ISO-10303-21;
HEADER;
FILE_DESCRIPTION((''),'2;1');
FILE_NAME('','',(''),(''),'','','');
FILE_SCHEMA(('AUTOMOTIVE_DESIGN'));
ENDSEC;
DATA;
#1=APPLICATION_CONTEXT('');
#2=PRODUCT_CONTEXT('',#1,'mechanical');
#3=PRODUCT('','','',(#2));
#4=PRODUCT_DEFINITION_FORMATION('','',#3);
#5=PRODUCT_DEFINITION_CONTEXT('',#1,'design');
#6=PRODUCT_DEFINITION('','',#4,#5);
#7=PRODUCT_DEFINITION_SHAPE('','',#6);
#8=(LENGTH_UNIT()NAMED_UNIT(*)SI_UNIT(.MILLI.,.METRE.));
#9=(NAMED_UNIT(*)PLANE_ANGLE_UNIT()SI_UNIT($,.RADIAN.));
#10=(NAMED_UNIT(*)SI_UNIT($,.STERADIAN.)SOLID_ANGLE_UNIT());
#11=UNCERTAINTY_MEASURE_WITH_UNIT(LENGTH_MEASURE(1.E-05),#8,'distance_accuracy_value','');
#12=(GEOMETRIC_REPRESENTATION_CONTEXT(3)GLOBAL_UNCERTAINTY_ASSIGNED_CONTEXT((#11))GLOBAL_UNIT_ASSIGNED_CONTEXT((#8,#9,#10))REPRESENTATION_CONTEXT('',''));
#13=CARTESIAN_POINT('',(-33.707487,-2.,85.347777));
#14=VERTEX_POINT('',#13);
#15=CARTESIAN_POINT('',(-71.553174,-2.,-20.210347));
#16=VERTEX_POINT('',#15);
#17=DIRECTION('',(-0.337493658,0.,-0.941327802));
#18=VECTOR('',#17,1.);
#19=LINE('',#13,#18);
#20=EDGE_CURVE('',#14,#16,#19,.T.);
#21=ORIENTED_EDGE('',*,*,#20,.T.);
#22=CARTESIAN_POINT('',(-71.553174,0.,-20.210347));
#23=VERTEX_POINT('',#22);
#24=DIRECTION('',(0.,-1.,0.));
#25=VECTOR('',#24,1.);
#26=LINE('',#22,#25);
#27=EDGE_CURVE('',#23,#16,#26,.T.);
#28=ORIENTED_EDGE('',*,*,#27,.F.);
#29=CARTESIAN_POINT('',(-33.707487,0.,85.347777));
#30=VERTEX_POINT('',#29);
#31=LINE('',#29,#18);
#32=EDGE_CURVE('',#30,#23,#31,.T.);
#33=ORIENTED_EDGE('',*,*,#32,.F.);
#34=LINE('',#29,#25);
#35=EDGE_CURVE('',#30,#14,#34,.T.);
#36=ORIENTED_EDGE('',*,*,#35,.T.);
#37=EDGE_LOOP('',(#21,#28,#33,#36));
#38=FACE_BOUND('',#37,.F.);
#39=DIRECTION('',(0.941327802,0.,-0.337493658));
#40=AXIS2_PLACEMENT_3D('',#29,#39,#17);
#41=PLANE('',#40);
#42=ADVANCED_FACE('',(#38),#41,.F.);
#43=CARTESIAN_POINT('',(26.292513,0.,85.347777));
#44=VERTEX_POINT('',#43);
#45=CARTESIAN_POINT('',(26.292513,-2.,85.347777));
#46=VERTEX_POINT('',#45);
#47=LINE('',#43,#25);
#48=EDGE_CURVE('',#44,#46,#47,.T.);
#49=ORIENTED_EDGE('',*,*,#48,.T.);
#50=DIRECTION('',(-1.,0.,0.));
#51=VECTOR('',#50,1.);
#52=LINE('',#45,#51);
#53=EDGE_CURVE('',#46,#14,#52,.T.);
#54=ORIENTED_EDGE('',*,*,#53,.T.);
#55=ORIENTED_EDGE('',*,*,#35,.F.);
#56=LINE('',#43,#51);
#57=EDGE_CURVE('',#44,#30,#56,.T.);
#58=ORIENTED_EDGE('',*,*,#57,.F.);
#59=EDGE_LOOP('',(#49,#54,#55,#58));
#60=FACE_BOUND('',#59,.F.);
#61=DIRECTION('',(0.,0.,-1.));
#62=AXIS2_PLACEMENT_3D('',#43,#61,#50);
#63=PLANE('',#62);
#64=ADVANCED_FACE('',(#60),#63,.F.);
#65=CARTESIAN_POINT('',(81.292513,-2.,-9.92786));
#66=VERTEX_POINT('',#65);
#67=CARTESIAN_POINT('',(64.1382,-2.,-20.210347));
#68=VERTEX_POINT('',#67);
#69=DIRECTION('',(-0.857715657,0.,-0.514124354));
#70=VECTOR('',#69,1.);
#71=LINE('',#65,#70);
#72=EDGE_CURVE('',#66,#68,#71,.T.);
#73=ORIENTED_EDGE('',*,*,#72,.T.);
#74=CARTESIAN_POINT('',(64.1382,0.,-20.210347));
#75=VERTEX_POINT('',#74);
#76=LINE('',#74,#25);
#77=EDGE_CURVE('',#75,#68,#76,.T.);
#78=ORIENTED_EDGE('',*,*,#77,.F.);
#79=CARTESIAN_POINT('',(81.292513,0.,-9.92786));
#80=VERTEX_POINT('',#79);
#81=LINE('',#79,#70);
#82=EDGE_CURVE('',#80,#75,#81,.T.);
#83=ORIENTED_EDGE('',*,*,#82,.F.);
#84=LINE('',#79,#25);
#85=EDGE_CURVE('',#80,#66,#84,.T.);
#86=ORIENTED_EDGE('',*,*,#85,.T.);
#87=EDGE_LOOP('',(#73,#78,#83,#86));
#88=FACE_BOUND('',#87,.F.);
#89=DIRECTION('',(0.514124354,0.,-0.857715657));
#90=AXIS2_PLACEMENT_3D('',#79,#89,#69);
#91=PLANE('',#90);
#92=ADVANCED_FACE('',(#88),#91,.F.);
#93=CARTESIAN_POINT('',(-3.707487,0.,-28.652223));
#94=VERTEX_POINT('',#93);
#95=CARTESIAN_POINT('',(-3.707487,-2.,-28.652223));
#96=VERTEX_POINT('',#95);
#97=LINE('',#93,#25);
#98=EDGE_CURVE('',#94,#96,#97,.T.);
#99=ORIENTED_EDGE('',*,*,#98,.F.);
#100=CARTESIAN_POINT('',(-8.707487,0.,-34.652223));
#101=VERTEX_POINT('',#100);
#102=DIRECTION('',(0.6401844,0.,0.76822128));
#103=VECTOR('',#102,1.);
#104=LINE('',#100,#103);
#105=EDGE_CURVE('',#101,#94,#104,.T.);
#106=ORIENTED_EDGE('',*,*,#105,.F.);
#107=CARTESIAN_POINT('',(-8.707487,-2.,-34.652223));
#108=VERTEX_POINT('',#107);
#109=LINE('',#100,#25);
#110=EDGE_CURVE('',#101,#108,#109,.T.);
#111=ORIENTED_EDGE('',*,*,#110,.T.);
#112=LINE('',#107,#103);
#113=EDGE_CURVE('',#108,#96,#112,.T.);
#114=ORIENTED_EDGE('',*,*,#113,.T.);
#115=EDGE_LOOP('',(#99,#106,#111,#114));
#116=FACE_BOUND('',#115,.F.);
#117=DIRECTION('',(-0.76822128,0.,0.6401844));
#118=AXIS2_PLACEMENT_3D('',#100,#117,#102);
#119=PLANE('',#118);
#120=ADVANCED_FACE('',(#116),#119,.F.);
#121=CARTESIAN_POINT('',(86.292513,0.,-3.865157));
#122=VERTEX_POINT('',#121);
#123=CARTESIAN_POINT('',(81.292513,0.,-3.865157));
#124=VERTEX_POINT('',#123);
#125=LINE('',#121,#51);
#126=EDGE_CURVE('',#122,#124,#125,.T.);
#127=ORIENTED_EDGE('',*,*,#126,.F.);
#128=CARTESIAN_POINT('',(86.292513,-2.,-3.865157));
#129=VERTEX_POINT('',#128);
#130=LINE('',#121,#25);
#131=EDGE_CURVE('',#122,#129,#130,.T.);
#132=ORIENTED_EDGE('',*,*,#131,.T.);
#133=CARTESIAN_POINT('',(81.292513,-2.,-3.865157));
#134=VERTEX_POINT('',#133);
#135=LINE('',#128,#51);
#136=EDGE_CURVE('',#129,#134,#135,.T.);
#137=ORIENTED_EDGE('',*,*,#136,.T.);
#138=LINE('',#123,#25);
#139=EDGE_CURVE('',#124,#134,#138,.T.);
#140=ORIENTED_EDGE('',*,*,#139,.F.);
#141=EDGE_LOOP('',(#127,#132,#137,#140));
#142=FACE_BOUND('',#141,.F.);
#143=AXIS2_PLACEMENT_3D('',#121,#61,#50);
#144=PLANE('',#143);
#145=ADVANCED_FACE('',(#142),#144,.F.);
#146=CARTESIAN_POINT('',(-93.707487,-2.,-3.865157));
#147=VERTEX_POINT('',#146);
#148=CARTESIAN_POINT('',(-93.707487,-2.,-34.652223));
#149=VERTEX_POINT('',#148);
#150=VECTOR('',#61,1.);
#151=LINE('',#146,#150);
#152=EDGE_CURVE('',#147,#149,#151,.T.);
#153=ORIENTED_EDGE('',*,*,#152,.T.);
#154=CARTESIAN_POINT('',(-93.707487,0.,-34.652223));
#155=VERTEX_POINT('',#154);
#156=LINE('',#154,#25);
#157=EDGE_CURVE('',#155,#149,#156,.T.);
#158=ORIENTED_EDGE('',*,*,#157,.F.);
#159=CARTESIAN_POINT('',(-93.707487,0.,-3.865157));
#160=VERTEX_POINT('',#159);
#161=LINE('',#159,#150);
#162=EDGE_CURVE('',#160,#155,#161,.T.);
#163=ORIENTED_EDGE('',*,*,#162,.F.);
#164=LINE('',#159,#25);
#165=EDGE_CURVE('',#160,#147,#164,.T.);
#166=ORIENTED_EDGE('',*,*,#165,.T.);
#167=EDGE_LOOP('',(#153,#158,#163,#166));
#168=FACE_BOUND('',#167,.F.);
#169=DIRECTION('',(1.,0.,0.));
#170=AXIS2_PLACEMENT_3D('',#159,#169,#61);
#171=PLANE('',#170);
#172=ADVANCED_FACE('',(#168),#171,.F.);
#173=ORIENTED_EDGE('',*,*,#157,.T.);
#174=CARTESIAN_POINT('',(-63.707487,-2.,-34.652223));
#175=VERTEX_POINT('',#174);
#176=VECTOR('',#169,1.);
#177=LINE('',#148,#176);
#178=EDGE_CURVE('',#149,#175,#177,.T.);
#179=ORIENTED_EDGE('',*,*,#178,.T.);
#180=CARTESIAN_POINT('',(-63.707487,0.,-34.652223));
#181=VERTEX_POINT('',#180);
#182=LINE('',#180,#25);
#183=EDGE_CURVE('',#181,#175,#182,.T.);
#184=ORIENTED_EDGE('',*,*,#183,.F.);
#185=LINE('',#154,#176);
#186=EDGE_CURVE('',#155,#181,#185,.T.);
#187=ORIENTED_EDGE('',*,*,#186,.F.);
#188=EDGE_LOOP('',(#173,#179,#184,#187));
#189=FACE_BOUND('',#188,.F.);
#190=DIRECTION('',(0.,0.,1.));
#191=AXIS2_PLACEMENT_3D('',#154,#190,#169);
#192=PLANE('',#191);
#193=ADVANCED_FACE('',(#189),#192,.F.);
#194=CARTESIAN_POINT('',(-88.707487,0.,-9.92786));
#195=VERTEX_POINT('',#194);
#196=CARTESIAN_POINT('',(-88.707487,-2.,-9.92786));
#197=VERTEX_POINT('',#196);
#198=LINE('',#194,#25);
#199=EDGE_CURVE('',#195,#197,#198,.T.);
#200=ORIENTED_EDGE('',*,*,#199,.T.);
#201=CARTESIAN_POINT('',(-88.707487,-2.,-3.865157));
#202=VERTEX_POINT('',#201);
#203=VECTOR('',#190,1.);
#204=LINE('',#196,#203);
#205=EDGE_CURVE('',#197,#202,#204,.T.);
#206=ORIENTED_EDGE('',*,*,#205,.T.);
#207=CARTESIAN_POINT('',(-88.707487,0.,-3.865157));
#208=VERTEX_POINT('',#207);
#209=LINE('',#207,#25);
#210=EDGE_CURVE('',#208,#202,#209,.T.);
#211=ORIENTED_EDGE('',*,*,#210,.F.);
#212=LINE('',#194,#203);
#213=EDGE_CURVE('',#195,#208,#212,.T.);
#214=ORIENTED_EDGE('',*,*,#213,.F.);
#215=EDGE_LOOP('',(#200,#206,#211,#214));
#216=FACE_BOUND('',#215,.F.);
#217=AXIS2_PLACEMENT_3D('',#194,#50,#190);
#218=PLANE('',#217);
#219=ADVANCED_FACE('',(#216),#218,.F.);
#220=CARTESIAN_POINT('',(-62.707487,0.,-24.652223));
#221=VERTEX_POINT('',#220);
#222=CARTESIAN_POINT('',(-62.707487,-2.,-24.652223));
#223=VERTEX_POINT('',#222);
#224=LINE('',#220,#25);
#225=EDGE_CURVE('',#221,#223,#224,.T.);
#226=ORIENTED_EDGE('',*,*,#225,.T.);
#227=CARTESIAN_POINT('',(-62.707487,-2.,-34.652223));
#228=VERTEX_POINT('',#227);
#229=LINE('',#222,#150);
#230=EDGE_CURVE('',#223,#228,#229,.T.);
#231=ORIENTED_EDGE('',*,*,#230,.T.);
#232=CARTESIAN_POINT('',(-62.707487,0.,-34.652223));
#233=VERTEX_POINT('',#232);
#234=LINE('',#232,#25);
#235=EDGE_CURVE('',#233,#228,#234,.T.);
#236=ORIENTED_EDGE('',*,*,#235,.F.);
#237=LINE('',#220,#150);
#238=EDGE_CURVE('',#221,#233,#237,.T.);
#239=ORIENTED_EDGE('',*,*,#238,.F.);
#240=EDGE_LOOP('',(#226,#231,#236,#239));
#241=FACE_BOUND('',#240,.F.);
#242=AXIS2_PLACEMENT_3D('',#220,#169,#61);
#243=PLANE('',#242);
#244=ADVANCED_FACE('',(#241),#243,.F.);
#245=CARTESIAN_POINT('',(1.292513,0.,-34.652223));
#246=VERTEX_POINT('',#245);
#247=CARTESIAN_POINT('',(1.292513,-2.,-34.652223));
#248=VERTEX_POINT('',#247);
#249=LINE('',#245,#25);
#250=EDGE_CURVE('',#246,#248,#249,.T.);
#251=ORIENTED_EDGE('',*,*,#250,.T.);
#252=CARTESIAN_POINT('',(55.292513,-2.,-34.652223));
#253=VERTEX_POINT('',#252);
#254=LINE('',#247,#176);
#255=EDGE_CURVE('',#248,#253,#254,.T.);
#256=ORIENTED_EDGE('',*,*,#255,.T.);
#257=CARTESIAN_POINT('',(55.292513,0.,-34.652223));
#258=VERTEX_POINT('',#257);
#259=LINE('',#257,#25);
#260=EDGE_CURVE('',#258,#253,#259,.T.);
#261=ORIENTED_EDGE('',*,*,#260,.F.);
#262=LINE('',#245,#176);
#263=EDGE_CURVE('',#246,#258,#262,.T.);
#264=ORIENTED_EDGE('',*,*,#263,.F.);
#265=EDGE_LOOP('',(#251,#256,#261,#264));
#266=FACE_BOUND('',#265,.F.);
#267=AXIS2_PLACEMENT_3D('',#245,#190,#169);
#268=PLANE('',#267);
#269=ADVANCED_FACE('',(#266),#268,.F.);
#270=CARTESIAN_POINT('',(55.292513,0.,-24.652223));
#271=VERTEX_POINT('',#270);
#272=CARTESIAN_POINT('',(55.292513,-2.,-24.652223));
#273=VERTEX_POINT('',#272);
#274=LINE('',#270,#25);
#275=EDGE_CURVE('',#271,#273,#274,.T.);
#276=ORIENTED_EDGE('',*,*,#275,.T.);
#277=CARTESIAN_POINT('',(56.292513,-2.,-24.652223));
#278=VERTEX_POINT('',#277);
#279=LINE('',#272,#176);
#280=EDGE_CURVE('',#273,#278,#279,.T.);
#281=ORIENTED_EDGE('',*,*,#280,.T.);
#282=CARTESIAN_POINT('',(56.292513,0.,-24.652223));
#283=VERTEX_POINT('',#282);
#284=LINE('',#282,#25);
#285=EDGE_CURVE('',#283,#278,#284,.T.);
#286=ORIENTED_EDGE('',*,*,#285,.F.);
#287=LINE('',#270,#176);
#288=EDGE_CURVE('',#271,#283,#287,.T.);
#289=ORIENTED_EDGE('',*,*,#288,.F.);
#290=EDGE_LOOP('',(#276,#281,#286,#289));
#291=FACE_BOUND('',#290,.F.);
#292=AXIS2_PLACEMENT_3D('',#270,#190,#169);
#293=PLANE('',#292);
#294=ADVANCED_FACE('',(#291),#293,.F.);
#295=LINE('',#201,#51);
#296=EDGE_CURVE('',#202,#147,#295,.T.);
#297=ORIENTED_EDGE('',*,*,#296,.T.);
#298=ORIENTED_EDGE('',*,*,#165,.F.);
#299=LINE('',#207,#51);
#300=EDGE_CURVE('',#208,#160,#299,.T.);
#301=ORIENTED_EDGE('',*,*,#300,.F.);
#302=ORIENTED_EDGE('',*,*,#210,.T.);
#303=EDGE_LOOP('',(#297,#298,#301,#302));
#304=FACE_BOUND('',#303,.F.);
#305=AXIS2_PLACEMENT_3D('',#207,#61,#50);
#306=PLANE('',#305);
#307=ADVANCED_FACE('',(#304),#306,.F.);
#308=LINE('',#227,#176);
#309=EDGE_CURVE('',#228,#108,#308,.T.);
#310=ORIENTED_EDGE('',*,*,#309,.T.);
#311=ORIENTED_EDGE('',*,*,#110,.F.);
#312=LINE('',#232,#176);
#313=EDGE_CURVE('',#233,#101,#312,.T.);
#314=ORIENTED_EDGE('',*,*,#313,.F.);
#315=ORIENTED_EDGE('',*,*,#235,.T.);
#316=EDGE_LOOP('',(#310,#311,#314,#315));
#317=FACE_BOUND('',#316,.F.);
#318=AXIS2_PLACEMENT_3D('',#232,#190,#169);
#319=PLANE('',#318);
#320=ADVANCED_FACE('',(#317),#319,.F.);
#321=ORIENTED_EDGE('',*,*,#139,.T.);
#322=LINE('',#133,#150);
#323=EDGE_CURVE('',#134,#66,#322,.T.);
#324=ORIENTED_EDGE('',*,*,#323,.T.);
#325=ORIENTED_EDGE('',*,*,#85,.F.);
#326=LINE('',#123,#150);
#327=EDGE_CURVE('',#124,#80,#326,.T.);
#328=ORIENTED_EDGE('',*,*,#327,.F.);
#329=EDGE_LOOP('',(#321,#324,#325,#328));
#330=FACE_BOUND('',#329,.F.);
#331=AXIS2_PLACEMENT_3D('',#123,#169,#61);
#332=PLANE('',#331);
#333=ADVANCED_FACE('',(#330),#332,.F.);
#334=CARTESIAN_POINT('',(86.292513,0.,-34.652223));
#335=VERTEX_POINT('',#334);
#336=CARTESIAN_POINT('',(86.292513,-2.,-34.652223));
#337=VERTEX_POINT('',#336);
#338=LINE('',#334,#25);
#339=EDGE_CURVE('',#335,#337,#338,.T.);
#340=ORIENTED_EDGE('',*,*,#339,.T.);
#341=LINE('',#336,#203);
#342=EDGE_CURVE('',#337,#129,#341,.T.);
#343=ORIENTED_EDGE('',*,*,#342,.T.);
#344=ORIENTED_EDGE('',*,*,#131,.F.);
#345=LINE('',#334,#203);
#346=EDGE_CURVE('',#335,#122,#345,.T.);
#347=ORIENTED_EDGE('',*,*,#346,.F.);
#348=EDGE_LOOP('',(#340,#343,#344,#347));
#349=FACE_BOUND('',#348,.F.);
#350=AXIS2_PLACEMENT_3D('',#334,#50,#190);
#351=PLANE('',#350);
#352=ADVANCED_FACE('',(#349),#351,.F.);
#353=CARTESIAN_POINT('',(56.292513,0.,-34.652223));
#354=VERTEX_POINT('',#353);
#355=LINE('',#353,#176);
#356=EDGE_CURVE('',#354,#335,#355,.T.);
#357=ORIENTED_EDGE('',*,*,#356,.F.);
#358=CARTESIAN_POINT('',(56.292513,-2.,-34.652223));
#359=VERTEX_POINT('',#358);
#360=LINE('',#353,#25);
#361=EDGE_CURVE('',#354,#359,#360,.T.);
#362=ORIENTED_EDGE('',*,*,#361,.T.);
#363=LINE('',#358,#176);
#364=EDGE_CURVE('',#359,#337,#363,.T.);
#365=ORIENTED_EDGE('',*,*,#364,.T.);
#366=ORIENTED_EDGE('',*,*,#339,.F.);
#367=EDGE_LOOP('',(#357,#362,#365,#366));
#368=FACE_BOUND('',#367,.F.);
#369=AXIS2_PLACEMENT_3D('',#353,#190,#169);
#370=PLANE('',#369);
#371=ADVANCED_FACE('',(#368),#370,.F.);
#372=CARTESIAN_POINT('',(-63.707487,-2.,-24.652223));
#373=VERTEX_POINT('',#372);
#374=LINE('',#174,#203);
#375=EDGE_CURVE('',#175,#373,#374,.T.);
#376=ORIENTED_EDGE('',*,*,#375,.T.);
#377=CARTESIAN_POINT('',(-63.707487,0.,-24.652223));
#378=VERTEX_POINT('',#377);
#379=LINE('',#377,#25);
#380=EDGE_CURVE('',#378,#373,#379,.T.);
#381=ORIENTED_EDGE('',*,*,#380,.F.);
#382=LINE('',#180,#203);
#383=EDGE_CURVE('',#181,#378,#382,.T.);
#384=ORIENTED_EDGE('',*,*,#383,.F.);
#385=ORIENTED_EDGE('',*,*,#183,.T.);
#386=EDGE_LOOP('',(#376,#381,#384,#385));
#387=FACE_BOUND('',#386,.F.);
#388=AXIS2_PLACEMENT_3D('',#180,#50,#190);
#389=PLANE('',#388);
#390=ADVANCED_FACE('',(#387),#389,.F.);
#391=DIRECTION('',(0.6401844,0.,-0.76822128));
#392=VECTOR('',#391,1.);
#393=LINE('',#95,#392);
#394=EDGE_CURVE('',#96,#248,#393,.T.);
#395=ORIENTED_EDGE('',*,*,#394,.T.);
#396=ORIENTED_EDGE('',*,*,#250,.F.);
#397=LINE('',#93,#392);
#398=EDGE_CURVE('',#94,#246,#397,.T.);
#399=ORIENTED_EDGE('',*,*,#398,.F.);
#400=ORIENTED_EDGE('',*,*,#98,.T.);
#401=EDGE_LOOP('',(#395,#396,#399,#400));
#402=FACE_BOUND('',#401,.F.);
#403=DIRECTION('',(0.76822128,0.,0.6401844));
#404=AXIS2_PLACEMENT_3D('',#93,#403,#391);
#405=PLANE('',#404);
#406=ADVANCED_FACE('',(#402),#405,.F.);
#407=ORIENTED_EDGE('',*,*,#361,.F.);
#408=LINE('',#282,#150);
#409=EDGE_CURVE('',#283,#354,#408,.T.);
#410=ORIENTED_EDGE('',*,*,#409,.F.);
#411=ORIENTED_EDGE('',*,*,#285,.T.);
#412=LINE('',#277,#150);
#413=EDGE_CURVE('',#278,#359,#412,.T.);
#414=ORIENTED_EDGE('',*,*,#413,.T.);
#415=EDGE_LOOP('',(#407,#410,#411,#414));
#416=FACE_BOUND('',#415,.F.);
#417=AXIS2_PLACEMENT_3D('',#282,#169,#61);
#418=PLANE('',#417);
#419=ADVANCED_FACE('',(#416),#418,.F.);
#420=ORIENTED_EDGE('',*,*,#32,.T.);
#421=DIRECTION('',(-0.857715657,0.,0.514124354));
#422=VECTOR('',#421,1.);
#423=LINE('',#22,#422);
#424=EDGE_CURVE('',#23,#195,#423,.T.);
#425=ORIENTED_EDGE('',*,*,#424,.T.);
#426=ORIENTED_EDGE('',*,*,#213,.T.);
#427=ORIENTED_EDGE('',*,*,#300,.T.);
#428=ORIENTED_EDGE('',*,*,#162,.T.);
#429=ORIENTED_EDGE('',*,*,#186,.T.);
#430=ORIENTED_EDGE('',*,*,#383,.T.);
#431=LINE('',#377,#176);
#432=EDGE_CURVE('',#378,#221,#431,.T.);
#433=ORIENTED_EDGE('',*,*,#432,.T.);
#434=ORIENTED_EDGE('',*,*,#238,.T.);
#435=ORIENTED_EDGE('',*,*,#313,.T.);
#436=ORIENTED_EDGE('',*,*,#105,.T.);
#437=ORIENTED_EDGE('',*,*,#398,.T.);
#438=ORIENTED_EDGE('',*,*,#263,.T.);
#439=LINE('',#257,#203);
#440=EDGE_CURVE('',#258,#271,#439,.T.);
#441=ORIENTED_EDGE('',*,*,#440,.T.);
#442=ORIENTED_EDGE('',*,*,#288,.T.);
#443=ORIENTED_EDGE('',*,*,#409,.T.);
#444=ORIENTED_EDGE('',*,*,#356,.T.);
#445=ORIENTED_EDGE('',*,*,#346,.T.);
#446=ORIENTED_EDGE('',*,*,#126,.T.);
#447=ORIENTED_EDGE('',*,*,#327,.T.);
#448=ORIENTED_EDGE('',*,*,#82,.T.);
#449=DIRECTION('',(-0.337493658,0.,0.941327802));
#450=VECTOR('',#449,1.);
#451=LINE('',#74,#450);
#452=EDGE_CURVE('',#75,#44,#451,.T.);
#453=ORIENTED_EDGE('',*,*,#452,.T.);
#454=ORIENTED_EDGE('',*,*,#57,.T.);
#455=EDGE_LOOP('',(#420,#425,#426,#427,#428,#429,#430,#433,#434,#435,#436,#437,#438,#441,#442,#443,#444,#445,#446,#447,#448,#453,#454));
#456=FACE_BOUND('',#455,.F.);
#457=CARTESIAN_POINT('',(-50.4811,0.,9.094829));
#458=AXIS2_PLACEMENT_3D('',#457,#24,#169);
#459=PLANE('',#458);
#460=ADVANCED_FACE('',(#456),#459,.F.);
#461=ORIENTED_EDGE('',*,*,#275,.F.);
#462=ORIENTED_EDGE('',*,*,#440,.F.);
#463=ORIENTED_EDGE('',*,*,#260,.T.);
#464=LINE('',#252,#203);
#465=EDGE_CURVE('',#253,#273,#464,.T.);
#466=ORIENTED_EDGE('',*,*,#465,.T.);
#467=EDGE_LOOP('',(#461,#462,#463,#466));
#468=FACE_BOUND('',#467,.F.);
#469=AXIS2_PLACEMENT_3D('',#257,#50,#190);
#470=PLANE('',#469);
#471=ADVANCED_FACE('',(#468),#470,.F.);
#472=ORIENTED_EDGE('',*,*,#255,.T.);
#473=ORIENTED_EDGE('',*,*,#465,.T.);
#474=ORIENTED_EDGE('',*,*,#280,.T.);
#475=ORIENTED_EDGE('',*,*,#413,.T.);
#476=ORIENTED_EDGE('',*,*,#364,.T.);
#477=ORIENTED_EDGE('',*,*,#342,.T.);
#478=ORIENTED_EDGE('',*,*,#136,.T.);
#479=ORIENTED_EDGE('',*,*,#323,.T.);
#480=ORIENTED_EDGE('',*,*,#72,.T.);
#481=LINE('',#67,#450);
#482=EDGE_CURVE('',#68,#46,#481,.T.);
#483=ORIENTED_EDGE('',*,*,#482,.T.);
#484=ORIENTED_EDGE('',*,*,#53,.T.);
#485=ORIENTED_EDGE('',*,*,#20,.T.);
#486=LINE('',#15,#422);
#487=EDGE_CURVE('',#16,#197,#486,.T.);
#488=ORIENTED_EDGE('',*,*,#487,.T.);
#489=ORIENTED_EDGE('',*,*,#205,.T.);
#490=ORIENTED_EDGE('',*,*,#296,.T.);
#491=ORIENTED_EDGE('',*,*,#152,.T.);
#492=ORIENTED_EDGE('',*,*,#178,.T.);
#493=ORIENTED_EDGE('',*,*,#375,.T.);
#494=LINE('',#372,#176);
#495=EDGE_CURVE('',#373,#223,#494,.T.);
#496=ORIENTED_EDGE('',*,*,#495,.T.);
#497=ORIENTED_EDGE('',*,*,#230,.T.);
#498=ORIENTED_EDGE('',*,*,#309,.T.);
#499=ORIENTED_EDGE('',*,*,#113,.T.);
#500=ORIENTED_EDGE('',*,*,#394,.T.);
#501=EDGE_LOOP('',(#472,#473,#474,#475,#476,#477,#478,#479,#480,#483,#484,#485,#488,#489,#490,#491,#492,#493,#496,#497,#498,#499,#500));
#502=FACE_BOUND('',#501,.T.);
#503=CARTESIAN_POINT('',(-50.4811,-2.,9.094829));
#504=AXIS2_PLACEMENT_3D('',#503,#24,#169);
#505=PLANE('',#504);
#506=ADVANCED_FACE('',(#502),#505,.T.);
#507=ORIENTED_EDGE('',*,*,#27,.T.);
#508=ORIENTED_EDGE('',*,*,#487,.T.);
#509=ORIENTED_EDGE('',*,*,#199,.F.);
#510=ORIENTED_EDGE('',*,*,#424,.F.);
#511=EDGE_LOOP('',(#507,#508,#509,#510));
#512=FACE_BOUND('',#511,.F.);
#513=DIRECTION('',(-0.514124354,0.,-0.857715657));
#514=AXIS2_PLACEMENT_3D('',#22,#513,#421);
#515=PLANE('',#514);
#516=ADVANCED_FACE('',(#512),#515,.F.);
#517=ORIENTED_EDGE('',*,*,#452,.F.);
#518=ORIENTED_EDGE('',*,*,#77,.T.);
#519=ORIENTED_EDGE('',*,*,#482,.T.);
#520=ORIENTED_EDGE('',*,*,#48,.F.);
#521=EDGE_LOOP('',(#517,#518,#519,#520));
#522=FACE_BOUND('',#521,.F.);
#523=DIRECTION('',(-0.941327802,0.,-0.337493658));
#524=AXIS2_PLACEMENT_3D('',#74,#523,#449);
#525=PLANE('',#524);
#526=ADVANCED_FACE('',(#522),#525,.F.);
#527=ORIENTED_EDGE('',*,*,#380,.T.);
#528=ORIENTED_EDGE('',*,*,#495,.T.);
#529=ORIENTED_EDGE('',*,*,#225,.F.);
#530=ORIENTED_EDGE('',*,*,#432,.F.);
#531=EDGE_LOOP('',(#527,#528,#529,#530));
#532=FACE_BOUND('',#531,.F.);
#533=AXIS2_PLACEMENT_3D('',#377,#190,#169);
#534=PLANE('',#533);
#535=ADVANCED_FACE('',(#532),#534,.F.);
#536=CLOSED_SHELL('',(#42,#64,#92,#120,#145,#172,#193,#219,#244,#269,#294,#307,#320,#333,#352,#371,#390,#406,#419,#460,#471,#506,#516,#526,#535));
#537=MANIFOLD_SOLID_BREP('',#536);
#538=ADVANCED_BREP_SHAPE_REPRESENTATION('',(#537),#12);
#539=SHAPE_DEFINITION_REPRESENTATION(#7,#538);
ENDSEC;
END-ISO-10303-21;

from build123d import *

# Parameters (mm, degrees)
F1_DEPTH = 2


with BuildPart() as f1:
    # F0 (on Front) → F1 (new body)
    with BuildSketch(Plane.XZ):
        Polygon((-23.707487, 85.347777), (-33.707487, 85.347777), (-71.553174, -20.210347), (-88.707487, -9.92786), (-88.707487, -3.865157), (-93.707487, -3.865157), (-93.707487, -34.652223), (-63.707487, -34.652223), (-63.707487, -24.652223), (-62.707487, -24.652223), (-62.707487, -34.652223), (-23.707487, -34.652223), align=None)
        Polygon((16.292513, 85.347777), (-23.707487, 85.347777), (-23.707487, -34.652223), (-8.707487, -34.652223), (-3.707487, -28.652223), (1.292513, -34.652223), (16.292513, -34.652223), align=None)
        Polygon((26.292513, 85.347777), (16.292513, 85.347777), (16.292513, -34.652223), (55.292513, -34.652223), (55.292513, -24.652223), (56.292513, -24.652223), (56.292513, -34.652223), (81.292513, -34.652223), (86.292513, -34.652223), (86.292513, -4.652223), (86.292513, -3.865157), (81.292513, -3.865157), (81.292513, -9.92786), (64.1382, -20.210347), align=None)
    extrude(amount=F1_DEPTH)


solid = f1.part
